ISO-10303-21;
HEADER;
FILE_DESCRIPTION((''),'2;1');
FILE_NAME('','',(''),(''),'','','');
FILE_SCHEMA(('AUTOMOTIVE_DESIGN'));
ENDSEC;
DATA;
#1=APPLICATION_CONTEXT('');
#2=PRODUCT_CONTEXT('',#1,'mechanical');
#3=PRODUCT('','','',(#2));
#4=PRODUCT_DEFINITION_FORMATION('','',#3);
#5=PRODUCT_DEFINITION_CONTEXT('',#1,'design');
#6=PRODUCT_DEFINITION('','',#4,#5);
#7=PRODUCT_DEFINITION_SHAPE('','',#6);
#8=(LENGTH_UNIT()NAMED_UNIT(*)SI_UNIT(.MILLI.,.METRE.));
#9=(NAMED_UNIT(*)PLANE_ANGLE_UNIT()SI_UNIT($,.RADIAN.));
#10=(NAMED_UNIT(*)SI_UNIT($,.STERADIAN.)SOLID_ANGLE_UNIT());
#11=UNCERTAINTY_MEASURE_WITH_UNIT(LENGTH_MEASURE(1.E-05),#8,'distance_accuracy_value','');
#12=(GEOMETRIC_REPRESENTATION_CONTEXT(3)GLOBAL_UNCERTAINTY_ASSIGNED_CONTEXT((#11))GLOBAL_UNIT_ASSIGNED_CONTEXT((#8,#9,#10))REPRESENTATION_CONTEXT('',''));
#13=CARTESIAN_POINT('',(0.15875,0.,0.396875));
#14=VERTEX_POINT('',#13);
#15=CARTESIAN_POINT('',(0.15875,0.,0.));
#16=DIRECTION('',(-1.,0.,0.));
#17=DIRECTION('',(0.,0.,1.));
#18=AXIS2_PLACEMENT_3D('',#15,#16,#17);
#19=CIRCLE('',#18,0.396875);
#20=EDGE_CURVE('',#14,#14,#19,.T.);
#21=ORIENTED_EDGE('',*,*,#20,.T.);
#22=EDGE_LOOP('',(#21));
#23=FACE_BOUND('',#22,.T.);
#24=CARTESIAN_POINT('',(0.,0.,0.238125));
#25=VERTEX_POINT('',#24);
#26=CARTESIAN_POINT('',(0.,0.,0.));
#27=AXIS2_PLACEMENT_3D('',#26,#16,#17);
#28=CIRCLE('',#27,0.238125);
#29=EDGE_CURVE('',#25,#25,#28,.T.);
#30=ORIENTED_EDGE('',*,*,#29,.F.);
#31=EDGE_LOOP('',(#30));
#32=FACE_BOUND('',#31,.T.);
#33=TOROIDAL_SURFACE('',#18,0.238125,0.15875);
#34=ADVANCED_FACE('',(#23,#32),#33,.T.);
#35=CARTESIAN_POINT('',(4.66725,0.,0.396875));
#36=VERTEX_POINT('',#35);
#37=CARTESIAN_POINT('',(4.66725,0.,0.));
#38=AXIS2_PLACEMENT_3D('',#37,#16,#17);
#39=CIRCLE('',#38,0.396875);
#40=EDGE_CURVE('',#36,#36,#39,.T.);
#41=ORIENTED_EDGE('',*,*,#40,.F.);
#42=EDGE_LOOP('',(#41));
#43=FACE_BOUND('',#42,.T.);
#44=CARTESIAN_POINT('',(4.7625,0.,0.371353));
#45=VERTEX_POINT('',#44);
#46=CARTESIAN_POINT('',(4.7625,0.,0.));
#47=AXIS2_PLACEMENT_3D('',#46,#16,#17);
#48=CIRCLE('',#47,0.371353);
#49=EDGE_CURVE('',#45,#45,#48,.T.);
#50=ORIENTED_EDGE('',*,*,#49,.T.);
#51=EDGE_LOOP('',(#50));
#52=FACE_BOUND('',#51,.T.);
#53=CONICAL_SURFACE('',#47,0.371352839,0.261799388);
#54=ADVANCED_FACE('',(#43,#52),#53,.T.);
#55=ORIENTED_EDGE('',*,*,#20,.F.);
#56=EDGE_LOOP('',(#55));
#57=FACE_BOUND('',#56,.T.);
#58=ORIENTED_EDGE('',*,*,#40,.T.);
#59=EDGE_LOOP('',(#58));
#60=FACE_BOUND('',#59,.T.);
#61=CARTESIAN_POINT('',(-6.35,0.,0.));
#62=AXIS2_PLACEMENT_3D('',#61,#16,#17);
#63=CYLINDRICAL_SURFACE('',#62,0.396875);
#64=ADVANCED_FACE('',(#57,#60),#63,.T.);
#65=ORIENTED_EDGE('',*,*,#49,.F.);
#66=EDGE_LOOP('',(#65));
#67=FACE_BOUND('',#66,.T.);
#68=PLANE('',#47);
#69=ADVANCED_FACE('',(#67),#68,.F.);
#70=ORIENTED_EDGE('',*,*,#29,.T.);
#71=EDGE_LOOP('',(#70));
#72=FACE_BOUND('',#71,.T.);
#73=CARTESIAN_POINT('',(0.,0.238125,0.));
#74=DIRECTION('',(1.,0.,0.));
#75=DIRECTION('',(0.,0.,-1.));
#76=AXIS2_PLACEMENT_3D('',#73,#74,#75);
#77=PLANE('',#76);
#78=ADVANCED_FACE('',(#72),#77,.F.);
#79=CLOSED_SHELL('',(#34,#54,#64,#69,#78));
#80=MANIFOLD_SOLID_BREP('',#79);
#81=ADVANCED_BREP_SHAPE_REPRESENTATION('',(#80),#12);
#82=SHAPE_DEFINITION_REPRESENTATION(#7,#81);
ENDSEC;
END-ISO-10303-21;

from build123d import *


with BuildPart() as part:
    # Sketch1 → Base-Revolve (revolve)
    with BuildSketch(Plane.XY, mode=Mode.PRIVATE) as base_revolve_sk:
        with BuildLine():
            Line((0, 0), (4.7625, 0))
            Line((4.7625, 0), (4.7625, 0.371352839))
            Line((4.7625, 0.371352839), (4.66725, 0.396875))
            Line((4.66725, 0.396875), (0.15875, 0.396875))
            ThreePointArc((0.15875, 0.396875), (0.046496798, 0.350378202), (0, 0.238125))
            Line((0, 0.238125), (0, 0))
        make_face()
    revolve(base_revolve_sk.sketch.rotate(Axis((-6.35, 0, 0), (1, 0, 0)), 90), axis=Axis((-6.35, 0, 0), (1, 0, 0)))  # turned: the seam where the file's is


solid = part.part
